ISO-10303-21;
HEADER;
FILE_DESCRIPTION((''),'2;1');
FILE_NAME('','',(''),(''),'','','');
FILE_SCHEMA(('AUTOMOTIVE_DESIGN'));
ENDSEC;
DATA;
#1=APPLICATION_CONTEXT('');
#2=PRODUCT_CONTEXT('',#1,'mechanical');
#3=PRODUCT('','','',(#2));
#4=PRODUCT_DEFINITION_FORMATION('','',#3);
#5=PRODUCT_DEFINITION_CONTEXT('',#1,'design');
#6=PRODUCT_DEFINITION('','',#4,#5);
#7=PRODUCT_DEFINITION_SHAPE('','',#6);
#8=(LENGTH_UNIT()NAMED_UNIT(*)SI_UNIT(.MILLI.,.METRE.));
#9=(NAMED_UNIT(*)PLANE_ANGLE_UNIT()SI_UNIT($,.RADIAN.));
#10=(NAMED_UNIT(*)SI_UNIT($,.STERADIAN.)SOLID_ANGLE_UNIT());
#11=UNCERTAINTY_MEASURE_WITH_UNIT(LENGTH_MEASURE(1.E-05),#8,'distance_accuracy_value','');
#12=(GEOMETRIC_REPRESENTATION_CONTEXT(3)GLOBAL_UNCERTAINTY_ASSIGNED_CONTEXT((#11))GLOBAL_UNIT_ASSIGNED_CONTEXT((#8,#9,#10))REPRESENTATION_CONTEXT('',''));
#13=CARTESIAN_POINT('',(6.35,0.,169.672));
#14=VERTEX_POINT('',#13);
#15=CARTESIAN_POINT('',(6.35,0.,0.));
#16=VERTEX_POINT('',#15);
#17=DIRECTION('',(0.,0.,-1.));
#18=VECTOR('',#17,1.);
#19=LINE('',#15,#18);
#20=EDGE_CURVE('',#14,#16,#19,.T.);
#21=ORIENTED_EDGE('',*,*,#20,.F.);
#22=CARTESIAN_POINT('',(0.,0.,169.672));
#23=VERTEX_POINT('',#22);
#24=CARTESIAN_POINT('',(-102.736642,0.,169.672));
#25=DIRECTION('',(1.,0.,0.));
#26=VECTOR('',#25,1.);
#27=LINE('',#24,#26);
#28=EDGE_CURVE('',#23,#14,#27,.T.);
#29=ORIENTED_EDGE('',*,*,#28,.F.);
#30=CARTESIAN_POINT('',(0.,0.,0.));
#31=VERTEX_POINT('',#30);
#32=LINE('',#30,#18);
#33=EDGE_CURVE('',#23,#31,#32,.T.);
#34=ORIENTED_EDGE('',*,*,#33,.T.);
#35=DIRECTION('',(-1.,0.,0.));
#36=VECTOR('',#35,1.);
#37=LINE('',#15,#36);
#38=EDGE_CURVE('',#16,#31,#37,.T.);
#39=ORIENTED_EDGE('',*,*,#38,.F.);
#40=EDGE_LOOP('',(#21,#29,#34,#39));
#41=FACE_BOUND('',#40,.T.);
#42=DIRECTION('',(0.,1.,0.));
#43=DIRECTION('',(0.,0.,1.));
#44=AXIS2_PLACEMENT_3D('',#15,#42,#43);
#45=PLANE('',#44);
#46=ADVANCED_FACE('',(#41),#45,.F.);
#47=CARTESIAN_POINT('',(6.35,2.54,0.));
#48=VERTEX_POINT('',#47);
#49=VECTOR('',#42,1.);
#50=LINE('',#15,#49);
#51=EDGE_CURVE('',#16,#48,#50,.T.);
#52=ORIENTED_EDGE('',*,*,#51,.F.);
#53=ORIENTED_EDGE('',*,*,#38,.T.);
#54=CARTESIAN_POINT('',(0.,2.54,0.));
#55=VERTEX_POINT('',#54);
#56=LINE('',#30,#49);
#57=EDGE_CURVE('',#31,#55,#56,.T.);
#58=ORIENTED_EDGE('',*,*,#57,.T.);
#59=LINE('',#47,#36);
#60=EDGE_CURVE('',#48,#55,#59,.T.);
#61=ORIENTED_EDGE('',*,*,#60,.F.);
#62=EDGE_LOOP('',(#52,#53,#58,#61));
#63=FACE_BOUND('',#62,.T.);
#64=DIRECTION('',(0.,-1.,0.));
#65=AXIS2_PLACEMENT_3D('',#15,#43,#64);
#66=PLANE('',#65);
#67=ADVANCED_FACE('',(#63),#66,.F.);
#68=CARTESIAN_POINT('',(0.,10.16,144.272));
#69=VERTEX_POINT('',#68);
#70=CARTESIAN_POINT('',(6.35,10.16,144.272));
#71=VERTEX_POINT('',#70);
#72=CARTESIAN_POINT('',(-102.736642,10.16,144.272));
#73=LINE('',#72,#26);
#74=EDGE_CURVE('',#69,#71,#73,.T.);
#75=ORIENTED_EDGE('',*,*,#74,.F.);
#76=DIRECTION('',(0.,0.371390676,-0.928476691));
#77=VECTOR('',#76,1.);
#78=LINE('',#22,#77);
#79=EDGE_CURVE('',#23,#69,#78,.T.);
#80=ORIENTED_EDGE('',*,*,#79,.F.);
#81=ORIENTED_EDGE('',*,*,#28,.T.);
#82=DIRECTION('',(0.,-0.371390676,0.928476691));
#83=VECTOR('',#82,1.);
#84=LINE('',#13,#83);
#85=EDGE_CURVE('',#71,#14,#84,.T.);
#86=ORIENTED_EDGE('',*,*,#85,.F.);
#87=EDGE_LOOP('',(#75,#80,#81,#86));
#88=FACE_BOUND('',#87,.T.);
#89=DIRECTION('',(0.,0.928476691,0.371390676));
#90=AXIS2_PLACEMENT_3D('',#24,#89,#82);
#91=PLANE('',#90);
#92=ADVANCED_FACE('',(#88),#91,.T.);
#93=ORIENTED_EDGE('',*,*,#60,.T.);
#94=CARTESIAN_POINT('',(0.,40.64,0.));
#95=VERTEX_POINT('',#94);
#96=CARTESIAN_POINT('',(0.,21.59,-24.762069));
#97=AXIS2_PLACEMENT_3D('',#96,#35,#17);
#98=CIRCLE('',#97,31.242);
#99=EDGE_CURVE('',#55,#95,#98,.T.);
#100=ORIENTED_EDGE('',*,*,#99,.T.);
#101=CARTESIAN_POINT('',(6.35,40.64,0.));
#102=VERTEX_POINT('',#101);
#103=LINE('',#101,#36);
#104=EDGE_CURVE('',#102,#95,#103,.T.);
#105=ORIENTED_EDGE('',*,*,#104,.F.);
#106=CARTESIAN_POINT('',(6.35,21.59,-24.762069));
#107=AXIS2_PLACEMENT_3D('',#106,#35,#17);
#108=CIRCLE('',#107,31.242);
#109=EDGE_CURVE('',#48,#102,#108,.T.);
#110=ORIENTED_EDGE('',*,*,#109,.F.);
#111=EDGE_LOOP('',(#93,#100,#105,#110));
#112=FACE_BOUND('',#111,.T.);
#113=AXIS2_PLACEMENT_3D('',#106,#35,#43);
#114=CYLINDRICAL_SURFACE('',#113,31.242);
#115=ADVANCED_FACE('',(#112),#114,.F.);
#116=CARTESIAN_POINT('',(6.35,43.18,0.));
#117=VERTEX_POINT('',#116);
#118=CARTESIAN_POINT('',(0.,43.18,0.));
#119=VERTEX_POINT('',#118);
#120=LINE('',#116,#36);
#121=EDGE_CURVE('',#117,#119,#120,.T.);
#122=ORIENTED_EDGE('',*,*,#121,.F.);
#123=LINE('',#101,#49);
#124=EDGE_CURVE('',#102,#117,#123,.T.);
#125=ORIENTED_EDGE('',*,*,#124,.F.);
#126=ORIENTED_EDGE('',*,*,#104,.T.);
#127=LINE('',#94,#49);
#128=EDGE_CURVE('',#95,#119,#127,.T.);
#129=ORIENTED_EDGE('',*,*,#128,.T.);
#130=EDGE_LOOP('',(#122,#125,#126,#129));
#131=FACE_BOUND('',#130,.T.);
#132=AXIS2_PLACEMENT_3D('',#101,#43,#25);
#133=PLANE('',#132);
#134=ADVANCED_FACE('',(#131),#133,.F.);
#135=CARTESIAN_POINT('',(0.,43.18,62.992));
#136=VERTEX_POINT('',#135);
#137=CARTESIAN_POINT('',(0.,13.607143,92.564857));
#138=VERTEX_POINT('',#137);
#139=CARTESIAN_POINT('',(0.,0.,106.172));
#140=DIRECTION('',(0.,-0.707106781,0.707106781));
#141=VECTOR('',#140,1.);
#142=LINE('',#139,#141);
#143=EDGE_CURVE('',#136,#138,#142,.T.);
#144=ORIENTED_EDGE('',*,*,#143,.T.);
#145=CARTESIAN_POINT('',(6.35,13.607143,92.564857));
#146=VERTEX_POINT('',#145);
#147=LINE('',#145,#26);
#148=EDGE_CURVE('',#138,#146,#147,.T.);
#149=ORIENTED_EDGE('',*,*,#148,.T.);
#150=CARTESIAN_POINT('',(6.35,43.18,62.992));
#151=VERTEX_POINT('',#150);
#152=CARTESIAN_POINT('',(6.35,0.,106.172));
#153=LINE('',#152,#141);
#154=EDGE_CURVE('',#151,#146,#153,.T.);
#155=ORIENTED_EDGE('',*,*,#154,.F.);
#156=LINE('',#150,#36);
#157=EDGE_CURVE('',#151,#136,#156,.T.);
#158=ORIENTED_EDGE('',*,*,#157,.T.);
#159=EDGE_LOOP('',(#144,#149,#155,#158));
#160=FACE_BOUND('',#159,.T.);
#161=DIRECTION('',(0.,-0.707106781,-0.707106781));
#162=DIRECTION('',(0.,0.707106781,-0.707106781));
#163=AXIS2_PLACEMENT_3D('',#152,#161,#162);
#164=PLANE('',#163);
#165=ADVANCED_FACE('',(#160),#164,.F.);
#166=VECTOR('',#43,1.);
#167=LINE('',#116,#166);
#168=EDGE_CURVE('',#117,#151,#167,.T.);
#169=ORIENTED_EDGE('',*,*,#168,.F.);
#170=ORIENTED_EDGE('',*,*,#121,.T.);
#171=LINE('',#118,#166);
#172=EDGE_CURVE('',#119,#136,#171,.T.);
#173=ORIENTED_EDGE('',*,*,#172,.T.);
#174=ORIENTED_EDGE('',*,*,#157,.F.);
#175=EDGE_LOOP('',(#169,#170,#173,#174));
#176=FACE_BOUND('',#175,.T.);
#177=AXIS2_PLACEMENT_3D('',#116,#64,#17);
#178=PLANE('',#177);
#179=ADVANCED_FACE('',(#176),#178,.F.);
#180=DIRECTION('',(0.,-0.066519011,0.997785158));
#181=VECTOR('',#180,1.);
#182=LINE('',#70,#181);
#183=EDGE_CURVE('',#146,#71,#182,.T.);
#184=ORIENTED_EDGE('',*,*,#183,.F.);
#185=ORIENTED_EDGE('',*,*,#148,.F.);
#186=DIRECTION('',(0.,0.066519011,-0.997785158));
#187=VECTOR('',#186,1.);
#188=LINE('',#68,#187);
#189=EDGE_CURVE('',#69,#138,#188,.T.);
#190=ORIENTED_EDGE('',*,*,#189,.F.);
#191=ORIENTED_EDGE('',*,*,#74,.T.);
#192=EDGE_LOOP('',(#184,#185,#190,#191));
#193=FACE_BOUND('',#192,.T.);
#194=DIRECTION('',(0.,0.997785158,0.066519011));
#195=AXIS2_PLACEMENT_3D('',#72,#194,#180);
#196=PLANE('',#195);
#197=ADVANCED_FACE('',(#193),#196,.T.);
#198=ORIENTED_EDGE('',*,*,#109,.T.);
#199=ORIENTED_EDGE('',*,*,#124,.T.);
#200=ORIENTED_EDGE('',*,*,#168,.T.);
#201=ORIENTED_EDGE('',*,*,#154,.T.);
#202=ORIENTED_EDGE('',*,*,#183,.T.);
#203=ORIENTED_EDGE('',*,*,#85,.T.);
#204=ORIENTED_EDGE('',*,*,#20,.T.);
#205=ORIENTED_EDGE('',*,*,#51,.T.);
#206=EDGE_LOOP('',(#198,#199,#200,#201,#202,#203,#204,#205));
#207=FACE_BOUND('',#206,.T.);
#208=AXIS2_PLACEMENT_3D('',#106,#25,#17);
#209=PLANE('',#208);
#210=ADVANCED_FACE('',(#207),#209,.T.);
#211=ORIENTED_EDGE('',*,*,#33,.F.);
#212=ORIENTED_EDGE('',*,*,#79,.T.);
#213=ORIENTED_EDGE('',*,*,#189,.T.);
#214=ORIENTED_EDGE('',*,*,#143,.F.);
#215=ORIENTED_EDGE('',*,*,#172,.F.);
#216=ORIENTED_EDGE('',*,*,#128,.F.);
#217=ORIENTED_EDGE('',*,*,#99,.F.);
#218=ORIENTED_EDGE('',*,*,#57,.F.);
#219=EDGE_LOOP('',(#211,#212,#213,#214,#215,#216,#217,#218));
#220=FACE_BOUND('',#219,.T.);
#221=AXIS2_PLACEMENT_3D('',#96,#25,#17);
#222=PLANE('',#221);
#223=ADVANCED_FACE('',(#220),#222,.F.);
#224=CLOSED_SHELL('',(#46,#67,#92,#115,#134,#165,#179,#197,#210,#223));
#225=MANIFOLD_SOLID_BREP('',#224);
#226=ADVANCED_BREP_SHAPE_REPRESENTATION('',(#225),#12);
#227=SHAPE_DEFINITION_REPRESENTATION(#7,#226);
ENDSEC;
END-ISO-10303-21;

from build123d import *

# Parameters (mm, degrees)
BOSS_EXTRUDE1_DEPTH = 6.35
BOSS_EXTRUDE2_DEPTH = 6.35


with BuildPart() as part:
    # Sketch1 → Boss-Extrude1 (new body)
    with BuildSketch(Plane(origin=(0, 0, 0), x_dir=(0, 0, -1), z_dir=(1, 0, 0))):
        with BuildLine():
            Line((-106.172, 0), (-62.992, 43.18))
            Line((-62.992, 43.18), (0, 43.18))
            Line((0, 43.18), (0, 40.64))
            ThreePointArc((0, 40.64), (-6.479930943, 21.59), (0, 2.54))
            Line((0, 2.54), (0, 0))
            Line((0, 0), (-106.172, 0))
        make_face()
    extrude(amount=BOSS_EXTRUDE1_DEPTH)

    # Sketch2 → Boss-Extrude2 (add)
    with BuildSketch(Plane(origin=(6.35, 0, 0), x_dir=(0, 0, -1), z_dir=(1, 0, 0))):
        Polygon((-68.072, 0), (-169.672, 0), (-144.272, 10.16), (-68.072, 15.24), align=None)
    extrude(amount=-BOSS_EXTRUDE2_DEPTH)


solid = part.part
